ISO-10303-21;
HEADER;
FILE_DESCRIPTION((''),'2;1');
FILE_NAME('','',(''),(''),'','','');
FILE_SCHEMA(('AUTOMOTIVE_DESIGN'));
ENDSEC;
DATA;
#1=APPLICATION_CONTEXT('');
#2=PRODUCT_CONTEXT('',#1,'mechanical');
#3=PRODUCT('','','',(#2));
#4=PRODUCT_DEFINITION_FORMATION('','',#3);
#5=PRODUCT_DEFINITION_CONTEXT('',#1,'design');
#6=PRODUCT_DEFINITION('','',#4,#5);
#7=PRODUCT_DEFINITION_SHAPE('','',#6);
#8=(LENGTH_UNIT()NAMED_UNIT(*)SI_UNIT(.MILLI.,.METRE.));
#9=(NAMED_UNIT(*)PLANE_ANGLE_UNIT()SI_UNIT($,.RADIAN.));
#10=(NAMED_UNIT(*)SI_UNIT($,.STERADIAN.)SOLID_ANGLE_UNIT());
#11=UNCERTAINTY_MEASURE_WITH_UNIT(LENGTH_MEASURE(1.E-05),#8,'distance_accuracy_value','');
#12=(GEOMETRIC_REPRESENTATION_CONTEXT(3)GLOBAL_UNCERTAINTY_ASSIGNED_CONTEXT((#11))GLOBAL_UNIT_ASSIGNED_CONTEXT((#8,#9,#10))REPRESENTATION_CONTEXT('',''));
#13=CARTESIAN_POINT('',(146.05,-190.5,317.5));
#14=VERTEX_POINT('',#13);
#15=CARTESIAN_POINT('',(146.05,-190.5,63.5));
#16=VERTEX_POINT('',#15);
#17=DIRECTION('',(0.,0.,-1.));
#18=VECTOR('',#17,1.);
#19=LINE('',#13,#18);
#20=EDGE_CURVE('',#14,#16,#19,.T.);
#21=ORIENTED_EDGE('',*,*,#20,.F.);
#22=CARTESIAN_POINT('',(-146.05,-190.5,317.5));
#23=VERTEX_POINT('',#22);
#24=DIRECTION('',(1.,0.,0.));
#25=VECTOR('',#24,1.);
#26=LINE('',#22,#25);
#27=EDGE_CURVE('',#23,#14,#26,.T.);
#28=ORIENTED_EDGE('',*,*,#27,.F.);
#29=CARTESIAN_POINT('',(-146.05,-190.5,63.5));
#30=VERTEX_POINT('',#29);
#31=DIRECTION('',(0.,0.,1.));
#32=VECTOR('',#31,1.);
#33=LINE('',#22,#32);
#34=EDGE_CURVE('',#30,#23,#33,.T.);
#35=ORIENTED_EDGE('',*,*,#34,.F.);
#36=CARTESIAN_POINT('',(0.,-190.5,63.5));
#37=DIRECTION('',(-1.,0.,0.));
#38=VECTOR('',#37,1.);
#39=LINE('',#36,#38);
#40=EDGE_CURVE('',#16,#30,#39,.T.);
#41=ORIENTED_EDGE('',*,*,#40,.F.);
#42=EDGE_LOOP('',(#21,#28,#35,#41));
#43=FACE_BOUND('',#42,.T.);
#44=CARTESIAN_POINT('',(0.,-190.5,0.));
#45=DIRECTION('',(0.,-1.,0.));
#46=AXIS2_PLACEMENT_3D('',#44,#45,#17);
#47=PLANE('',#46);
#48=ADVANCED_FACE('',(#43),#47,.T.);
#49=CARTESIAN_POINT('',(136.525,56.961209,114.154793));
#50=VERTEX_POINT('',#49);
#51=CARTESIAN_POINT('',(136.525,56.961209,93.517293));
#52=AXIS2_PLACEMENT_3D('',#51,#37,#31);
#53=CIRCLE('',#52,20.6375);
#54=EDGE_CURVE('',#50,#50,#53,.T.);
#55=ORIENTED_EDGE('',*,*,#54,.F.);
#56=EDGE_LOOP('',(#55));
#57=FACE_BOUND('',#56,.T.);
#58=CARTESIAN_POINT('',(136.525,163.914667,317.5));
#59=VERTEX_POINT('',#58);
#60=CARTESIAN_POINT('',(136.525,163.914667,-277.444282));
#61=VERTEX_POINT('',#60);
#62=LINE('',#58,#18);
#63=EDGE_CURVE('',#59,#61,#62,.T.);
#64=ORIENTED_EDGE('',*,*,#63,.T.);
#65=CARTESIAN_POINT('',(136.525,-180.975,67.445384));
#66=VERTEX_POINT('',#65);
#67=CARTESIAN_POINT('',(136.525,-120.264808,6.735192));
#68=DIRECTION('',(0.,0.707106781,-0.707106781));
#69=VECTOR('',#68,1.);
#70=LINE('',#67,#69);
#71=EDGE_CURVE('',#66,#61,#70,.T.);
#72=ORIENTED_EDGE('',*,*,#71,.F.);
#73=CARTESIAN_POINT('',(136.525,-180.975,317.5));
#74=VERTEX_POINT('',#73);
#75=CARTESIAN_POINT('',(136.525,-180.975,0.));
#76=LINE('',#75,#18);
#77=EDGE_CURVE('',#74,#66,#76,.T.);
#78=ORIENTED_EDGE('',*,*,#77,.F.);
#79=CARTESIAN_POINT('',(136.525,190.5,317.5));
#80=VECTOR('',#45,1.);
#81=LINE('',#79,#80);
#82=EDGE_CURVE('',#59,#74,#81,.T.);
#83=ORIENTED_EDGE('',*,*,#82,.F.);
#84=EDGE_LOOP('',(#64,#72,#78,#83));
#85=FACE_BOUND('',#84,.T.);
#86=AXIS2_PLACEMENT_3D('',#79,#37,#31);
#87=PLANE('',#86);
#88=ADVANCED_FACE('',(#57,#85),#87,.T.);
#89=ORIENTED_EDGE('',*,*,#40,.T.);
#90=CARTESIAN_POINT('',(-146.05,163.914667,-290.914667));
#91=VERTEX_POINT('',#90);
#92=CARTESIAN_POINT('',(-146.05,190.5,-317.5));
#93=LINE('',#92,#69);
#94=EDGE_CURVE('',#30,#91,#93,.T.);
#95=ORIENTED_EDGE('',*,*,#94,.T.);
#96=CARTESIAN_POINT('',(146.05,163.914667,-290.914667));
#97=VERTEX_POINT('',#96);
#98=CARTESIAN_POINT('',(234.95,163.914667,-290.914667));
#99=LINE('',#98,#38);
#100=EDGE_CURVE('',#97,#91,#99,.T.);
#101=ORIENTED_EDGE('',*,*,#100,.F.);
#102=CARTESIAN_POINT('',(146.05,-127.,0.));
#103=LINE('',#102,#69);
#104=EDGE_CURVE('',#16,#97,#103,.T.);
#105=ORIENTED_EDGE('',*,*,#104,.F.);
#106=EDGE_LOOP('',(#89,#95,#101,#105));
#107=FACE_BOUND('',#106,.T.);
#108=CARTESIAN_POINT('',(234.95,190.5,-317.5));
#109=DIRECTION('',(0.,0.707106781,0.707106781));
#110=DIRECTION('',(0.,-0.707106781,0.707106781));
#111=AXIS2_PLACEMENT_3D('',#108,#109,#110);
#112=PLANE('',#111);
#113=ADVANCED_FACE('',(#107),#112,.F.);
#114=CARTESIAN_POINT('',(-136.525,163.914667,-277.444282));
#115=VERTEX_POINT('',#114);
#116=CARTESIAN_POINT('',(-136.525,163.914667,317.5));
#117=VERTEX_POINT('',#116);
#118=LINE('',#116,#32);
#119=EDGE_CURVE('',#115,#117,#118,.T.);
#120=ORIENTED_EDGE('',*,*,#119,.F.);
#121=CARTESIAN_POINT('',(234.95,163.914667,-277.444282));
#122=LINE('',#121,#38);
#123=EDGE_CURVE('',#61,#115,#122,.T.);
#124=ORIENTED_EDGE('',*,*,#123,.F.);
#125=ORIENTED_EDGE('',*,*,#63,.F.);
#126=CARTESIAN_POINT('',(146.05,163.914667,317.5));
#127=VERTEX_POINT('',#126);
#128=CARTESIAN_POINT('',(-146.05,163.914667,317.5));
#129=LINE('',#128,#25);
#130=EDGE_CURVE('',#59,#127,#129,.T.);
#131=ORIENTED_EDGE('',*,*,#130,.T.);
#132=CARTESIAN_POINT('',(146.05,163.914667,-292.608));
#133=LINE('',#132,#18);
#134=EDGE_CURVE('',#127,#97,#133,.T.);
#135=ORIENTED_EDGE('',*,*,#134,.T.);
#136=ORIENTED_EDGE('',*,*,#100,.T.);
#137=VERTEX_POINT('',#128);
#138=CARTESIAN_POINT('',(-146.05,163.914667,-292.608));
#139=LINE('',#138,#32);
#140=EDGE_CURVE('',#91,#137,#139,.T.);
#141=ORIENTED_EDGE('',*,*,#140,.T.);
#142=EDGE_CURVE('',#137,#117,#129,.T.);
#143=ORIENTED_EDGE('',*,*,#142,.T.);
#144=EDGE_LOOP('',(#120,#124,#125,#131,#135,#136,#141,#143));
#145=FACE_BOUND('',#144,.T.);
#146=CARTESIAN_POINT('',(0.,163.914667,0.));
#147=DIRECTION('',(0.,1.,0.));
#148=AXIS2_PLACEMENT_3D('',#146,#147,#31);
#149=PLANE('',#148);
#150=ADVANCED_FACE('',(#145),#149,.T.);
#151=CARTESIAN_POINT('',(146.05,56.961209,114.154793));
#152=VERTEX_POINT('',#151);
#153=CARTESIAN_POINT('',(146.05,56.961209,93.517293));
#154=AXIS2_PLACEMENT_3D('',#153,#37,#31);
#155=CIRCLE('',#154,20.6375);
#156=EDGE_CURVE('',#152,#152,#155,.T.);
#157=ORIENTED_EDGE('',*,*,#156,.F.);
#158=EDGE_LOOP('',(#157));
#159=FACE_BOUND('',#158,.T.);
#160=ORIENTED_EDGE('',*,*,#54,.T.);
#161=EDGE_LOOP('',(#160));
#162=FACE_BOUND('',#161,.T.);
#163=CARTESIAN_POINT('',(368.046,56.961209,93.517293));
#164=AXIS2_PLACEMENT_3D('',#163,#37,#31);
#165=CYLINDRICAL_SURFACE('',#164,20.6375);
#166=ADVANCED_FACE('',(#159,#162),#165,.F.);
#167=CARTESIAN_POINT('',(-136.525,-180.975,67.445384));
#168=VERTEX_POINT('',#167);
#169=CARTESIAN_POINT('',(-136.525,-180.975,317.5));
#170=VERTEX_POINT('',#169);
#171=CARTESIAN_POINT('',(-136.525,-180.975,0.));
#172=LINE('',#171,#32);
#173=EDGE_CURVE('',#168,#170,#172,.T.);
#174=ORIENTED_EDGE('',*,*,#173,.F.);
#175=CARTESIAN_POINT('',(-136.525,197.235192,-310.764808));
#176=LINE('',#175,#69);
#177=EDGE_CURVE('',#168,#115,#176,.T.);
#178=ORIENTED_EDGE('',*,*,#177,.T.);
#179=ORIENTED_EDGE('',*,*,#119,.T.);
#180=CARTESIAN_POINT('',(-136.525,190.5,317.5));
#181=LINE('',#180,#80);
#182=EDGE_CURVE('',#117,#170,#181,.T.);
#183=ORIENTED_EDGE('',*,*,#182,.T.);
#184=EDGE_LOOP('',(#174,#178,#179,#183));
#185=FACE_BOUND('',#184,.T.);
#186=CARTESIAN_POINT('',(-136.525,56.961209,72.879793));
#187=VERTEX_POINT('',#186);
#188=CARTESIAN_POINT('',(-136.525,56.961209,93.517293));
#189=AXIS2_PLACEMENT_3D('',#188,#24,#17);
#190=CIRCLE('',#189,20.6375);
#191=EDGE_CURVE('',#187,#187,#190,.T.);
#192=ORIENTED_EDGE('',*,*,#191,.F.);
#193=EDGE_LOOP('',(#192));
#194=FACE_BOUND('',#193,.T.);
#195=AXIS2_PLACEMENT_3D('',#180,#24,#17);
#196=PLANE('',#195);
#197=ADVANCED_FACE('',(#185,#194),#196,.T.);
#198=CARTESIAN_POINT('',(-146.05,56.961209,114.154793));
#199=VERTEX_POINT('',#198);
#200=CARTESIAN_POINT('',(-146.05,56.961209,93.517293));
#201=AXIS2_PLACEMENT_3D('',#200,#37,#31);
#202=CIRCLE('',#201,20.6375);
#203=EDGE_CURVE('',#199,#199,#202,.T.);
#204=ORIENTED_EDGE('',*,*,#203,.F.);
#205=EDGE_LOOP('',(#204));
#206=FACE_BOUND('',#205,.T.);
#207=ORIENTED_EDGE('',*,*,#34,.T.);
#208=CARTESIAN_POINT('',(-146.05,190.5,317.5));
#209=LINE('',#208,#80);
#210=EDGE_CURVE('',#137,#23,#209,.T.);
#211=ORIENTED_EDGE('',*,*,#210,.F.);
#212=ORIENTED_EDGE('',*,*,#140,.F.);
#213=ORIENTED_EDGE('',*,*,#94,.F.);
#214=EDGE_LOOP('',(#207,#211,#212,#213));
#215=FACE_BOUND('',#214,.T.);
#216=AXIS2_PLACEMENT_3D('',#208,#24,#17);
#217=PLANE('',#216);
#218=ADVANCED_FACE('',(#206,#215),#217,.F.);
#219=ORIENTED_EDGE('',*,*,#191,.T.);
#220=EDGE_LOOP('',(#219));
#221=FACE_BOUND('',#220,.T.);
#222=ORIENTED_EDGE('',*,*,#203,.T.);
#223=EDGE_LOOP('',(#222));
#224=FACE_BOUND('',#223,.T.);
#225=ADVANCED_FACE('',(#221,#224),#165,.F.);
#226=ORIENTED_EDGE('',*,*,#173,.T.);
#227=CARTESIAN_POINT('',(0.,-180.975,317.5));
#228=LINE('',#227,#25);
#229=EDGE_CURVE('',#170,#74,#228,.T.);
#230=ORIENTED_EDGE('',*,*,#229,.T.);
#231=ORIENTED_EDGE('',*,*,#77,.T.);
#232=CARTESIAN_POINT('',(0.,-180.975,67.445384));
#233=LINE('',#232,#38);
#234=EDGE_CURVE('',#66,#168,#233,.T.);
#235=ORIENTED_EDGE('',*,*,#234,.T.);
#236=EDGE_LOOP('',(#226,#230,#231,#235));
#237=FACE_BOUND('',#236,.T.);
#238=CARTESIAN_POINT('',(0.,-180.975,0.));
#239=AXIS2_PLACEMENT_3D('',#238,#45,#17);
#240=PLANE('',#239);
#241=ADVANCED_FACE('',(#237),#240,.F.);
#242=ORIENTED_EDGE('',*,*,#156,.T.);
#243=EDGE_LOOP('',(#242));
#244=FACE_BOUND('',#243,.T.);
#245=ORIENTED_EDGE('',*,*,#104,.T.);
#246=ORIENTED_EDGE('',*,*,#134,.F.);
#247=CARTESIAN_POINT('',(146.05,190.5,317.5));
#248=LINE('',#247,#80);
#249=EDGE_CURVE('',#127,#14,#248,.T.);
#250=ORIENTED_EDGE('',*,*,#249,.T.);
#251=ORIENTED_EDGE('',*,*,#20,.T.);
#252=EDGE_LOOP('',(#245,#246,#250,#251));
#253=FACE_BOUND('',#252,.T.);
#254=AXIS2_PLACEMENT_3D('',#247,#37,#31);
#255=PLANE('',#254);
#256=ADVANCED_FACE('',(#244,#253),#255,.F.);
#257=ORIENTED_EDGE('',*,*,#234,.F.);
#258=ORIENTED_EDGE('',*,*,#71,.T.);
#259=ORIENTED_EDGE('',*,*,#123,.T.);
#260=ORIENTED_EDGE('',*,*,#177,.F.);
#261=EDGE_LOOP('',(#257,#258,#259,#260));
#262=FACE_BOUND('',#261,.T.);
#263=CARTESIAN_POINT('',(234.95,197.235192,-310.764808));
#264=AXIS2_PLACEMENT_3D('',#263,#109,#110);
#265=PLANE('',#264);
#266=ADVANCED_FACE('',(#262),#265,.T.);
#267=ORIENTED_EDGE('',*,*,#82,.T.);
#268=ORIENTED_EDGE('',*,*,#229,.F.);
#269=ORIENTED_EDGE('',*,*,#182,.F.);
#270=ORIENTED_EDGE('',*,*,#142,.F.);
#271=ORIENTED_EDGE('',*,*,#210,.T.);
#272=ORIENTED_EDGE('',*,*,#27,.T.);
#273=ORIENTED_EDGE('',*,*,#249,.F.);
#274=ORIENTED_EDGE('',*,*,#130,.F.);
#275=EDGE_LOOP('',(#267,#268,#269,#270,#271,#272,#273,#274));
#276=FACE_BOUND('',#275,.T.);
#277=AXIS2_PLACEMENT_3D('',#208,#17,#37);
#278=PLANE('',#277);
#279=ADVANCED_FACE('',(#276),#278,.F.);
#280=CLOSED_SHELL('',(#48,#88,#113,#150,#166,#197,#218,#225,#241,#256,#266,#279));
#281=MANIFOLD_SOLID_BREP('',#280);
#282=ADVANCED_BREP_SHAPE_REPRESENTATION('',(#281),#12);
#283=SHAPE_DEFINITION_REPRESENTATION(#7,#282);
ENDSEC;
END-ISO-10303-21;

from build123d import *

# Parameters (mm, degrees)
SKETCH2_W           = 292.1
SKETCH2_H           = 635
BOSS_EXTRUDE1_DEPTH = 190.5
CUT_EXTRUDE2_DEPTH  = 381
SHELL1_T            = -9.525
SKETCH5_W           = 292.1
SKETCH5_H           = 635
CUT_EXTRUDE3_DEPTH  = 24.892
SKETCH6_R           = 20.6375
CUT_EXTRUDE4_DEPTH  = 514.096
SKETCH10_W          = 292.1
SKETCH10_H          = 610.108
CUT_EXTRUDE7_DEPTH  = 1.693333333


with BuildPart() as part:
    # Sketch2 → Boss-Extrude1 (new body, symmetric)
    with BuildSketch(Plane(origin=(0, 0, 0), x_dir=(1, 0, 0), z_dir=(0, 1, 0))):
        Rectangle(SKETCH2_W, SKETCH2_H)
    extrude(amount=BOSS_EXTRUDE1_DEPTH, both=True)

    # Sketch4 → Cut-Extrude2 (cut)
    with BuildSketch(Plane.ZY.offset(146.05)):
        Polygon((-317.5, 190.5), (63.5, -190.5), (-317.5, -190.5), align=None)
    extrude(amount=-CUT_EXTRUDE2_DEPTH, mode=Mode.SUBTRACT)

    # Shell1
    shell1_openings = [part.faces().sort_by_distance(p)[0] for p in [
        (0, 0, 317.5),
    ]]
    offset(amount=SHELL1_T, openings=shell1_openings, kind=Kind.INTERSECTION)

    # Sketch5 → Cut-Extrude3 (cut)
    with BuildSketch(Plane(origin=(0, 190.5, 0), x_dir=(1, 0, 0), z_dir=(0, 1, 0))):
        Rectangle(SKETCH5_W, SKETCH5_H)
    extrude(amount=-CUT_EXTRUDE3_DEPTH, mode=Mode.SUBTRACT)

    # Sketch6 → Cut-Extrude4 (cut)
    with BuildSketch(Plane.ZY.offset(146.05)):
        with Locations((93.517292524, 56.961208915)):
            Circle(SKETCH6_R)
    extrude(amount=-CUT_EXTRUDE4_DEPTH, mode=Mode.SUBTRACT)

    # Sketch10 → Cut-Extrude7 (cut)
    with BuildSketch(Plane(origin=(0, 165.608, 0), x_dir=(1, 0, 0), z_dir=(0, 1, 0))):
        with Locations((0, -12.446)):
            Rectangle(SKETCH10_W, SKETCH10_H)
    extrude(amount=-CUT_EXTRUDE7_DEPTH, mode=Mode.SUBTRACT)


solid = part.part
